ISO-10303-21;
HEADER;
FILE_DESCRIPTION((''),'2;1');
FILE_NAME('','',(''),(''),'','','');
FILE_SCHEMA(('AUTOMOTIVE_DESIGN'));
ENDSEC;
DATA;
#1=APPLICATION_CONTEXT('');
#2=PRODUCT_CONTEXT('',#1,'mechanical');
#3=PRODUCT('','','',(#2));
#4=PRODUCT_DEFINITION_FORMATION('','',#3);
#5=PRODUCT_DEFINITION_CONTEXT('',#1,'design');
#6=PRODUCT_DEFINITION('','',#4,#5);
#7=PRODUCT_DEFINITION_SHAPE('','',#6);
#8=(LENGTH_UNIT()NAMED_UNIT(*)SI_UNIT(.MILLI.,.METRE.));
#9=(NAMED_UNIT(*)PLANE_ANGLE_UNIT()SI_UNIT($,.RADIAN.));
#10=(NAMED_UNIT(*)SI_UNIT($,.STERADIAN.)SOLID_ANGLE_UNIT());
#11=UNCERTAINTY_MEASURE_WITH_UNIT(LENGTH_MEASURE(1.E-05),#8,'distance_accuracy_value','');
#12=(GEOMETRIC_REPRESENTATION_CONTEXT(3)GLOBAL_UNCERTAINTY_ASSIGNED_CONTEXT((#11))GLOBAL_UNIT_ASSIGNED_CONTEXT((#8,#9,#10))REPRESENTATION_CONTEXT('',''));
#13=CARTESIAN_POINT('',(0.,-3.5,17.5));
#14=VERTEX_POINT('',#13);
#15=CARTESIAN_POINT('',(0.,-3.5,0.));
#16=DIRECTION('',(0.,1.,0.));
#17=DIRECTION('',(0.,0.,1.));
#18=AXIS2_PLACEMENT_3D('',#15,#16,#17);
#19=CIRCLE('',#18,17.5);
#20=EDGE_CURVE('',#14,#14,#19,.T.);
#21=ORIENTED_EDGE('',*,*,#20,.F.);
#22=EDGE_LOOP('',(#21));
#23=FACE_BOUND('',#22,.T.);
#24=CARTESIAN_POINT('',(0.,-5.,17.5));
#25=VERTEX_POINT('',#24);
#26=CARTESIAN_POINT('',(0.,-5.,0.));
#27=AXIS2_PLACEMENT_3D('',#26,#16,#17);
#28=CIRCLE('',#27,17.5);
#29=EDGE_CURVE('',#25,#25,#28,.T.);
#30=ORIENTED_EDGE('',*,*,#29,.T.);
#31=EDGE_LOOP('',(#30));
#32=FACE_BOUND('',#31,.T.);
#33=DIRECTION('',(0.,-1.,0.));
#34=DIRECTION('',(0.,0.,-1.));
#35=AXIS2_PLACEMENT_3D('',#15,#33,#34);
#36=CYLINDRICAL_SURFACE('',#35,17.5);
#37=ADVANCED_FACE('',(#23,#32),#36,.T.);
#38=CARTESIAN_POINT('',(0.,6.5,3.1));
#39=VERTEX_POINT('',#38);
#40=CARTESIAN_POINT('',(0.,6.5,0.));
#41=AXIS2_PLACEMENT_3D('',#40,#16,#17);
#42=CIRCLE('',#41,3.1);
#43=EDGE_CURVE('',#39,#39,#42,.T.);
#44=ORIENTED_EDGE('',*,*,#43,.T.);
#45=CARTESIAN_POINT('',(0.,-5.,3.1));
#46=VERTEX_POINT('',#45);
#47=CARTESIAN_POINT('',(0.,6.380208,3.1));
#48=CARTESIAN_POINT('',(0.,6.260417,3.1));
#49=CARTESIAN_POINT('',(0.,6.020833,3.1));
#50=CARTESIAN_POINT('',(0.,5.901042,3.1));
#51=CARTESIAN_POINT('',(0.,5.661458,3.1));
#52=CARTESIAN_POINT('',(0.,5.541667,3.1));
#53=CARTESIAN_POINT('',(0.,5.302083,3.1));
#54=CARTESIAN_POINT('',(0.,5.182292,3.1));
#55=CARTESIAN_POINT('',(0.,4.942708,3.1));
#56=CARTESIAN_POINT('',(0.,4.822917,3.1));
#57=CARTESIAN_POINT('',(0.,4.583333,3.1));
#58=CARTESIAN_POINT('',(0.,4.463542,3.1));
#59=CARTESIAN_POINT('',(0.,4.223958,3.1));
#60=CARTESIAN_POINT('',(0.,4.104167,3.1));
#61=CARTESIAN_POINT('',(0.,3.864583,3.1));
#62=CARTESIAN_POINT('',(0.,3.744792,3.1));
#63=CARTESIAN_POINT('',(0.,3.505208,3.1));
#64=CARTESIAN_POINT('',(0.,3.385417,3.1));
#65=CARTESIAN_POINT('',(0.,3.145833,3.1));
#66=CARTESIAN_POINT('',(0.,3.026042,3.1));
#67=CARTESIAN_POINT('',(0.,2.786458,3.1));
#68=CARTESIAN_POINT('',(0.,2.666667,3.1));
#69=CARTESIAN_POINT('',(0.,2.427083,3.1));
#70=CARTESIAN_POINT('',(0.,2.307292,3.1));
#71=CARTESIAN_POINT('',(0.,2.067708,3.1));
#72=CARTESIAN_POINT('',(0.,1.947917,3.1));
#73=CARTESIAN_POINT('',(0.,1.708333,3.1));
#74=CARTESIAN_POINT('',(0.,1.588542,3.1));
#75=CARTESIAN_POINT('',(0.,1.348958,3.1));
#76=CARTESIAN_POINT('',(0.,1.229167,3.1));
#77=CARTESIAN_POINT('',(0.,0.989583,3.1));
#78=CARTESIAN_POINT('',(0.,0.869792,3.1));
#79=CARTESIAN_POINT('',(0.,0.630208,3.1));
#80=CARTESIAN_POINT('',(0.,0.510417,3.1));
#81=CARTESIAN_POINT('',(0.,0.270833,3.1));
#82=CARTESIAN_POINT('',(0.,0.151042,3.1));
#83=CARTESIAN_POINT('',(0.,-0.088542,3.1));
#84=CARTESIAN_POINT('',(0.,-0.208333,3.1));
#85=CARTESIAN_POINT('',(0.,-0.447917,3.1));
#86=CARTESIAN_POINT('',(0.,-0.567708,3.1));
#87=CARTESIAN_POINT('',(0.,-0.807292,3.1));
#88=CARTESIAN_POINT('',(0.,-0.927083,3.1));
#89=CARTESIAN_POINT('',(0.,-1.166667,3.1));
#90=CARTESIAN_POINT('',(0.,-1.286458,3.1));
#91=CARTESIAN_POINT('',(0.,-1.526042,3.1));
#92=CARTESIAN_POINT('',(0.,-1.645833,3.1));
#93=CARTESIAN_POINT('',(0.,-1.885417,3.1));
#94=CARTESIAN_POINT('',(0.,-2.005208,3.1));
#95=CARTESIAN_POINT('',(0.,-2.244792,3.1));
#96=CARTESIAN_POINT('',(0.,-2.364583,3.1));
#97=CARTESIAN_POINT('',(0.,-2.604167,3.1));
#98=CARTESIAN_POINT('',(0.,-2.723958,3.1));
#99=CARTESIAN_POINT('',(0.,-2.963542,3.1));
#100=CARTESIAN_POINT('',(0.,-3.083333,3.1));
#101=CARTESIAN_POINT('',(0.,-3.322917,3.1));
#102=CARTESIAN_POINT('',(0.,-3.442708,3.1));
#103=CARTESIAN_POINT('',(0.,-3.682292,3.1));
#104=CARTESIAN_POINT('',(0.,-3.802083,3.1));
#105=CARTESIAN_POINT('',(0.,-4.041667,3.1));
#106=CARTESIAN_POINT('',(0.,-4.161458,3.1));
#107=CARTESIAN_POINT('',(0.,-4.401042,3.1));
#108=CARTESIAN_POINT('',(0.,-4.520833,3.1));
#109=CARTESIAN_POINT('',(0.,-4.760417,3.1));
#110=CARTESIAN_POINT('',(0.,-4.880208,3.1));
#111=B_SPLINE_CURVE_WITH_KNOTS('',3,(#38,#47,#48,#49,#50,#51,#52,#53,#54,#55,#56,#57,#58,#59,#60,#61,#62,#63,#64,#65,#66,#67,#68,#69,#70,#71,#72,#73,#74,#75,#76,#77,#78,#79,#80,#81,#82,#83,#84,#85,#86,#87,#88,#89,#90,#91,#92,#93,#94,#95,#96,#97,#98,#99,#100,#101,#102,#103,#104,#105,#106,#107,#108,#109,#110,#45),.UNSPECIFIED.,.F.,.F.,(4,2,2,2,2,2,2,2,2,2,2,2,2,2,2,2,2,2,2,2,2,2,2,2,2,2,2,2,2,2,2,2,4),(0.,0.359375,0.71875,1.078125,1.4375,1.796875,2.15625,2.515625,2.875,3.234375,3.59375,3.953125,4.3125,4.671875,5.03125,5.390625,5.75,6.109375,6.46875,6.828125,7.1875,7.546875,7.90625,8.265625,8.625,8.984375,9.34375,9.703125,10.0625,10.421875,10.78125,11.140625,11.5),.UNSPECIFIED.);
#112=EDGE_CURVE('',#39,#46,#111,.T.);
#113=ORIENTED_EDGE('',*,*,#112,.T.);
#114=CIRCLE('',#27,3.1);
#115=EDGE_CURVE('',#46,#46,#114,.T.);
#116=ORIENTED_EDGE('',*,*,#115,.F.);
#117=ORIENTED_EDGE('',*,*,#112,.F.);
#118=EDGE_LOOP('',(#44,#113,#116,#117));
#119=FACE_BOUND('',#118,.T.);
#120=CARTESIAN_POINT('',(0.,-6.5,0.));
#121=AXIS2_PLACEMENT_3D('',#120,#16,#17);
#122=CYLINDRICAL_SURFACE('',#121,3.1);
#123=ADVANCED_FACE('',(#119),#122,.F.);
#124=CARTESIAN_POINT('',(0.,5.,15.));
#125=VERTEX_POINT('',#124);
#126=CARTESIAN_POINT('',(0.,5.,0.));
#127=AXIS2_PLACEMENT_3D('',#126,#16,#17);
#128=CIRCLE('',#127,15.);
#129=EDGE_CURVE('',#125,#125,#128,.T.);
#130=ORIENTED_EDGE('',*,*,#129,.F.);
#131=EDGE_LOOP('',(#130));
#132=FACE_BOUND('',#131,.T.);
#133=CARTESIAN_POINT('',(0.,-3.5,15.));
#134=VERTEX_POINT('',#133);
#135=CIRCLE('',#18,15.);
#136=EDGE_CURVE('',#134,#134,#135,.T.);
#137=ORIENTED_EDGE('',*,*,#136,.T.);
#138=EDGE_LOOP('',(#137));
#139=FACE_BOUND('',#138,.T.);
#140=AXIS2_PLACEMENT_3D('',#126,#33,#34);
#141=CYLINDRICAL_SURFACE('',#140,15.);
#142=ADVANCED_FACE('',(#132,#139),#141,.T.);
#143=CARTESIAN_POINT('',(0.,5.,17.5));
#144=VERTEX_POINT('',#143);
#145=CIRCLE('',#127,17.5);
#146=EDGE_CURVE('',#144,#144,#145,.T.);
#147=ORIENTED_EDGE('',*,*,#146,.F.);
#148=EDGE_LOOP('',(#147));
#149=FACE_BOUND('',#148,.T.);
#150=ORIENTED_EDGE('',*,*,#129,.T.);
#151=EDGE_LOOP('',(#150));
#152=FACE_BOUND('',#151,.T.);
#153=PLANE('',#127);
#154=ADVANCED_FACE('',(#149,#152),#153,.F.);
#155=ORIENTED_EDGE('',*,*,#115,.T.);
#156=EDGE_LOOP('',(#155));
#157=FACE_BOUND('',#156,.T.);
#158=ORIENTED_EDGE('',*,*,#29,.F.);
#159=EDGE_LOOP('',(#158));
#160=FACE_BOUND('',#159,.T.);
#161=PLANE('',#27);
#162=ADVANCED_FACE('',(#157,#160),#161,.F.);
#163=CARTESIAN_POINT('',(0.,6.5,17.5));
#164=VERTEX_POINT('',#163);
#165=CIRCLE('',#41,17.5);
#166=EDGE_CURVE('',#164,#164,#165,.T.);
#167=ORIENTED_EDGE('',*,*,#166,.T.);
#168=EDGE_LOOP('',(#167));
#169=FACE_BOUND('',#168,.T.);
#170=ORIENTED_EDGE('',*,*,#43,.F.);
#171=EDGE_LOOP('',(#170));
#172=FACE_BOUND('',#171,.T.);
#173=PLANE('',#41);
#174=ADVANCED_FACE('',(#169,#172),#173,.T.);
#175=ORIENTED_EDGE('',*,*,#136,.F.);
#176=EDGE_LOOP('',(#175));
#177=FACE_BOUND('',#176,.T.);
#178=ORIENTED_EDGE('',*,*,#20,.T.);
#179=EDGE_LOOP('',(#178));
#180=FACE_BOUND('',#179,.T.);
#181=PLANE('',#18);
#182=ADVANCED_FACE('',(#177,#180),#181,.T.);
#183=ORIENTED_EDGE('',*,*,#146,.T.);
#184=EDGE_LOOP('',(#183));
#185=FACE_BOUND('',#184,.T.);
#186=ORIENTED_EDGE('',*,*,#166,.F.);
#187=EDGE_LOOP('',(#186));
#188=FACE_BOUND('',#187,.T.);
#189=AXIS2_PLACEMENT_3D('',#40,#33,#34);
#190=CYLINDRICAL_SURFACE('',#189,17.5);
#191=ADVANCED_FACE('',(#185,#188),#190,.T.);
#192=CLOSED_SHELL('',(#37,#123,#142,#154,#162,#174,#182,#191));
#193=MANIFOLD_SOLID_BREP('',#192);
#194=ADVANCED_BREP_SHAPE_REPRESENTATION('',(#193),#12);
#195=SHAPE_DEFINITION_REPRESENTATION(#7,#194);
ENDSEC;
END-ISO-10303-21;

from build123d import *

# Parameters (mm, degrees)
SKETCH_205_R        = 15
EXTRUDE_1_DEPTH     = 5
EXTRUDE_START       = 5
SKETCH_286_R        = 17.5
EXTRUDE_1_2_DEPTH   = 1.5
EXTRUDE_START_2     = -5
SKETCH_2_2_R        = 17.5
EXTRUDE_2_DEPTH     = 1.5
SKETCH_407_R        = 3.1
CUT_EXTRUDE_1_DEPTH = 6.5


with BuildPart() as part:
    # Sketch 205 → Extrude 1 (new, symmetric)
    with BuildSketch(Plane(origin=(0, 0, 0), x_dir=(1, 0, 0), z_dir=(0, 1, 0))):
        with Locations(Location((0, 0, 0), (0, 0, 270))):
            Circle(SKETCH_205_R)
    extrude(amount=EXTRUDE_1_DEPTH, both=True)

    # Sketch 286 → Extrude 1 2 (add)
    with BuildSketch(Plane(origin=(0, 0, 0), x_dir=(1, 0, 0), z_dir=(0, 1, 0)).offset(EXTRUDE_START)):
        with Locations(Location((0, 0, 0), (0, 0, 270))):
            Circle(SKETCH_286_R)
    extrude(amount=EXTRUDE_1_2_DEPTH)

    # 草图2<2> → 边缘2 (add)
    with BuildSketch(Plane(origin=(0, 0, 0), x_dir=(1, 0, 0), z_dir=(0, 1, 0)).offset(EXTRUDE_START_2)):
        with Locations(Location((0, 0, 0), (0, 0, 270))):
            Circle(SKETCH_2_2_R)
    extrude(amount=EXTRUDE_2_DEPTH)

    # Sketch 407 → 切除-拉伸1 (cut, symmetric)
    with BuildSketch(Plane(origin=(0, 0, 0), x_dir=(1, 0, 0), z_dir=(0, 1, 0))):
        with Locations(Location((0, 0, 0), (0, 0, 270))):
            Circle(SKETCH_407_R)
    extrude(amount=CUT_EXTRUDE_1_DEPTH, both=True, mode=Mode.SUBTRACT)


solid = part.part
